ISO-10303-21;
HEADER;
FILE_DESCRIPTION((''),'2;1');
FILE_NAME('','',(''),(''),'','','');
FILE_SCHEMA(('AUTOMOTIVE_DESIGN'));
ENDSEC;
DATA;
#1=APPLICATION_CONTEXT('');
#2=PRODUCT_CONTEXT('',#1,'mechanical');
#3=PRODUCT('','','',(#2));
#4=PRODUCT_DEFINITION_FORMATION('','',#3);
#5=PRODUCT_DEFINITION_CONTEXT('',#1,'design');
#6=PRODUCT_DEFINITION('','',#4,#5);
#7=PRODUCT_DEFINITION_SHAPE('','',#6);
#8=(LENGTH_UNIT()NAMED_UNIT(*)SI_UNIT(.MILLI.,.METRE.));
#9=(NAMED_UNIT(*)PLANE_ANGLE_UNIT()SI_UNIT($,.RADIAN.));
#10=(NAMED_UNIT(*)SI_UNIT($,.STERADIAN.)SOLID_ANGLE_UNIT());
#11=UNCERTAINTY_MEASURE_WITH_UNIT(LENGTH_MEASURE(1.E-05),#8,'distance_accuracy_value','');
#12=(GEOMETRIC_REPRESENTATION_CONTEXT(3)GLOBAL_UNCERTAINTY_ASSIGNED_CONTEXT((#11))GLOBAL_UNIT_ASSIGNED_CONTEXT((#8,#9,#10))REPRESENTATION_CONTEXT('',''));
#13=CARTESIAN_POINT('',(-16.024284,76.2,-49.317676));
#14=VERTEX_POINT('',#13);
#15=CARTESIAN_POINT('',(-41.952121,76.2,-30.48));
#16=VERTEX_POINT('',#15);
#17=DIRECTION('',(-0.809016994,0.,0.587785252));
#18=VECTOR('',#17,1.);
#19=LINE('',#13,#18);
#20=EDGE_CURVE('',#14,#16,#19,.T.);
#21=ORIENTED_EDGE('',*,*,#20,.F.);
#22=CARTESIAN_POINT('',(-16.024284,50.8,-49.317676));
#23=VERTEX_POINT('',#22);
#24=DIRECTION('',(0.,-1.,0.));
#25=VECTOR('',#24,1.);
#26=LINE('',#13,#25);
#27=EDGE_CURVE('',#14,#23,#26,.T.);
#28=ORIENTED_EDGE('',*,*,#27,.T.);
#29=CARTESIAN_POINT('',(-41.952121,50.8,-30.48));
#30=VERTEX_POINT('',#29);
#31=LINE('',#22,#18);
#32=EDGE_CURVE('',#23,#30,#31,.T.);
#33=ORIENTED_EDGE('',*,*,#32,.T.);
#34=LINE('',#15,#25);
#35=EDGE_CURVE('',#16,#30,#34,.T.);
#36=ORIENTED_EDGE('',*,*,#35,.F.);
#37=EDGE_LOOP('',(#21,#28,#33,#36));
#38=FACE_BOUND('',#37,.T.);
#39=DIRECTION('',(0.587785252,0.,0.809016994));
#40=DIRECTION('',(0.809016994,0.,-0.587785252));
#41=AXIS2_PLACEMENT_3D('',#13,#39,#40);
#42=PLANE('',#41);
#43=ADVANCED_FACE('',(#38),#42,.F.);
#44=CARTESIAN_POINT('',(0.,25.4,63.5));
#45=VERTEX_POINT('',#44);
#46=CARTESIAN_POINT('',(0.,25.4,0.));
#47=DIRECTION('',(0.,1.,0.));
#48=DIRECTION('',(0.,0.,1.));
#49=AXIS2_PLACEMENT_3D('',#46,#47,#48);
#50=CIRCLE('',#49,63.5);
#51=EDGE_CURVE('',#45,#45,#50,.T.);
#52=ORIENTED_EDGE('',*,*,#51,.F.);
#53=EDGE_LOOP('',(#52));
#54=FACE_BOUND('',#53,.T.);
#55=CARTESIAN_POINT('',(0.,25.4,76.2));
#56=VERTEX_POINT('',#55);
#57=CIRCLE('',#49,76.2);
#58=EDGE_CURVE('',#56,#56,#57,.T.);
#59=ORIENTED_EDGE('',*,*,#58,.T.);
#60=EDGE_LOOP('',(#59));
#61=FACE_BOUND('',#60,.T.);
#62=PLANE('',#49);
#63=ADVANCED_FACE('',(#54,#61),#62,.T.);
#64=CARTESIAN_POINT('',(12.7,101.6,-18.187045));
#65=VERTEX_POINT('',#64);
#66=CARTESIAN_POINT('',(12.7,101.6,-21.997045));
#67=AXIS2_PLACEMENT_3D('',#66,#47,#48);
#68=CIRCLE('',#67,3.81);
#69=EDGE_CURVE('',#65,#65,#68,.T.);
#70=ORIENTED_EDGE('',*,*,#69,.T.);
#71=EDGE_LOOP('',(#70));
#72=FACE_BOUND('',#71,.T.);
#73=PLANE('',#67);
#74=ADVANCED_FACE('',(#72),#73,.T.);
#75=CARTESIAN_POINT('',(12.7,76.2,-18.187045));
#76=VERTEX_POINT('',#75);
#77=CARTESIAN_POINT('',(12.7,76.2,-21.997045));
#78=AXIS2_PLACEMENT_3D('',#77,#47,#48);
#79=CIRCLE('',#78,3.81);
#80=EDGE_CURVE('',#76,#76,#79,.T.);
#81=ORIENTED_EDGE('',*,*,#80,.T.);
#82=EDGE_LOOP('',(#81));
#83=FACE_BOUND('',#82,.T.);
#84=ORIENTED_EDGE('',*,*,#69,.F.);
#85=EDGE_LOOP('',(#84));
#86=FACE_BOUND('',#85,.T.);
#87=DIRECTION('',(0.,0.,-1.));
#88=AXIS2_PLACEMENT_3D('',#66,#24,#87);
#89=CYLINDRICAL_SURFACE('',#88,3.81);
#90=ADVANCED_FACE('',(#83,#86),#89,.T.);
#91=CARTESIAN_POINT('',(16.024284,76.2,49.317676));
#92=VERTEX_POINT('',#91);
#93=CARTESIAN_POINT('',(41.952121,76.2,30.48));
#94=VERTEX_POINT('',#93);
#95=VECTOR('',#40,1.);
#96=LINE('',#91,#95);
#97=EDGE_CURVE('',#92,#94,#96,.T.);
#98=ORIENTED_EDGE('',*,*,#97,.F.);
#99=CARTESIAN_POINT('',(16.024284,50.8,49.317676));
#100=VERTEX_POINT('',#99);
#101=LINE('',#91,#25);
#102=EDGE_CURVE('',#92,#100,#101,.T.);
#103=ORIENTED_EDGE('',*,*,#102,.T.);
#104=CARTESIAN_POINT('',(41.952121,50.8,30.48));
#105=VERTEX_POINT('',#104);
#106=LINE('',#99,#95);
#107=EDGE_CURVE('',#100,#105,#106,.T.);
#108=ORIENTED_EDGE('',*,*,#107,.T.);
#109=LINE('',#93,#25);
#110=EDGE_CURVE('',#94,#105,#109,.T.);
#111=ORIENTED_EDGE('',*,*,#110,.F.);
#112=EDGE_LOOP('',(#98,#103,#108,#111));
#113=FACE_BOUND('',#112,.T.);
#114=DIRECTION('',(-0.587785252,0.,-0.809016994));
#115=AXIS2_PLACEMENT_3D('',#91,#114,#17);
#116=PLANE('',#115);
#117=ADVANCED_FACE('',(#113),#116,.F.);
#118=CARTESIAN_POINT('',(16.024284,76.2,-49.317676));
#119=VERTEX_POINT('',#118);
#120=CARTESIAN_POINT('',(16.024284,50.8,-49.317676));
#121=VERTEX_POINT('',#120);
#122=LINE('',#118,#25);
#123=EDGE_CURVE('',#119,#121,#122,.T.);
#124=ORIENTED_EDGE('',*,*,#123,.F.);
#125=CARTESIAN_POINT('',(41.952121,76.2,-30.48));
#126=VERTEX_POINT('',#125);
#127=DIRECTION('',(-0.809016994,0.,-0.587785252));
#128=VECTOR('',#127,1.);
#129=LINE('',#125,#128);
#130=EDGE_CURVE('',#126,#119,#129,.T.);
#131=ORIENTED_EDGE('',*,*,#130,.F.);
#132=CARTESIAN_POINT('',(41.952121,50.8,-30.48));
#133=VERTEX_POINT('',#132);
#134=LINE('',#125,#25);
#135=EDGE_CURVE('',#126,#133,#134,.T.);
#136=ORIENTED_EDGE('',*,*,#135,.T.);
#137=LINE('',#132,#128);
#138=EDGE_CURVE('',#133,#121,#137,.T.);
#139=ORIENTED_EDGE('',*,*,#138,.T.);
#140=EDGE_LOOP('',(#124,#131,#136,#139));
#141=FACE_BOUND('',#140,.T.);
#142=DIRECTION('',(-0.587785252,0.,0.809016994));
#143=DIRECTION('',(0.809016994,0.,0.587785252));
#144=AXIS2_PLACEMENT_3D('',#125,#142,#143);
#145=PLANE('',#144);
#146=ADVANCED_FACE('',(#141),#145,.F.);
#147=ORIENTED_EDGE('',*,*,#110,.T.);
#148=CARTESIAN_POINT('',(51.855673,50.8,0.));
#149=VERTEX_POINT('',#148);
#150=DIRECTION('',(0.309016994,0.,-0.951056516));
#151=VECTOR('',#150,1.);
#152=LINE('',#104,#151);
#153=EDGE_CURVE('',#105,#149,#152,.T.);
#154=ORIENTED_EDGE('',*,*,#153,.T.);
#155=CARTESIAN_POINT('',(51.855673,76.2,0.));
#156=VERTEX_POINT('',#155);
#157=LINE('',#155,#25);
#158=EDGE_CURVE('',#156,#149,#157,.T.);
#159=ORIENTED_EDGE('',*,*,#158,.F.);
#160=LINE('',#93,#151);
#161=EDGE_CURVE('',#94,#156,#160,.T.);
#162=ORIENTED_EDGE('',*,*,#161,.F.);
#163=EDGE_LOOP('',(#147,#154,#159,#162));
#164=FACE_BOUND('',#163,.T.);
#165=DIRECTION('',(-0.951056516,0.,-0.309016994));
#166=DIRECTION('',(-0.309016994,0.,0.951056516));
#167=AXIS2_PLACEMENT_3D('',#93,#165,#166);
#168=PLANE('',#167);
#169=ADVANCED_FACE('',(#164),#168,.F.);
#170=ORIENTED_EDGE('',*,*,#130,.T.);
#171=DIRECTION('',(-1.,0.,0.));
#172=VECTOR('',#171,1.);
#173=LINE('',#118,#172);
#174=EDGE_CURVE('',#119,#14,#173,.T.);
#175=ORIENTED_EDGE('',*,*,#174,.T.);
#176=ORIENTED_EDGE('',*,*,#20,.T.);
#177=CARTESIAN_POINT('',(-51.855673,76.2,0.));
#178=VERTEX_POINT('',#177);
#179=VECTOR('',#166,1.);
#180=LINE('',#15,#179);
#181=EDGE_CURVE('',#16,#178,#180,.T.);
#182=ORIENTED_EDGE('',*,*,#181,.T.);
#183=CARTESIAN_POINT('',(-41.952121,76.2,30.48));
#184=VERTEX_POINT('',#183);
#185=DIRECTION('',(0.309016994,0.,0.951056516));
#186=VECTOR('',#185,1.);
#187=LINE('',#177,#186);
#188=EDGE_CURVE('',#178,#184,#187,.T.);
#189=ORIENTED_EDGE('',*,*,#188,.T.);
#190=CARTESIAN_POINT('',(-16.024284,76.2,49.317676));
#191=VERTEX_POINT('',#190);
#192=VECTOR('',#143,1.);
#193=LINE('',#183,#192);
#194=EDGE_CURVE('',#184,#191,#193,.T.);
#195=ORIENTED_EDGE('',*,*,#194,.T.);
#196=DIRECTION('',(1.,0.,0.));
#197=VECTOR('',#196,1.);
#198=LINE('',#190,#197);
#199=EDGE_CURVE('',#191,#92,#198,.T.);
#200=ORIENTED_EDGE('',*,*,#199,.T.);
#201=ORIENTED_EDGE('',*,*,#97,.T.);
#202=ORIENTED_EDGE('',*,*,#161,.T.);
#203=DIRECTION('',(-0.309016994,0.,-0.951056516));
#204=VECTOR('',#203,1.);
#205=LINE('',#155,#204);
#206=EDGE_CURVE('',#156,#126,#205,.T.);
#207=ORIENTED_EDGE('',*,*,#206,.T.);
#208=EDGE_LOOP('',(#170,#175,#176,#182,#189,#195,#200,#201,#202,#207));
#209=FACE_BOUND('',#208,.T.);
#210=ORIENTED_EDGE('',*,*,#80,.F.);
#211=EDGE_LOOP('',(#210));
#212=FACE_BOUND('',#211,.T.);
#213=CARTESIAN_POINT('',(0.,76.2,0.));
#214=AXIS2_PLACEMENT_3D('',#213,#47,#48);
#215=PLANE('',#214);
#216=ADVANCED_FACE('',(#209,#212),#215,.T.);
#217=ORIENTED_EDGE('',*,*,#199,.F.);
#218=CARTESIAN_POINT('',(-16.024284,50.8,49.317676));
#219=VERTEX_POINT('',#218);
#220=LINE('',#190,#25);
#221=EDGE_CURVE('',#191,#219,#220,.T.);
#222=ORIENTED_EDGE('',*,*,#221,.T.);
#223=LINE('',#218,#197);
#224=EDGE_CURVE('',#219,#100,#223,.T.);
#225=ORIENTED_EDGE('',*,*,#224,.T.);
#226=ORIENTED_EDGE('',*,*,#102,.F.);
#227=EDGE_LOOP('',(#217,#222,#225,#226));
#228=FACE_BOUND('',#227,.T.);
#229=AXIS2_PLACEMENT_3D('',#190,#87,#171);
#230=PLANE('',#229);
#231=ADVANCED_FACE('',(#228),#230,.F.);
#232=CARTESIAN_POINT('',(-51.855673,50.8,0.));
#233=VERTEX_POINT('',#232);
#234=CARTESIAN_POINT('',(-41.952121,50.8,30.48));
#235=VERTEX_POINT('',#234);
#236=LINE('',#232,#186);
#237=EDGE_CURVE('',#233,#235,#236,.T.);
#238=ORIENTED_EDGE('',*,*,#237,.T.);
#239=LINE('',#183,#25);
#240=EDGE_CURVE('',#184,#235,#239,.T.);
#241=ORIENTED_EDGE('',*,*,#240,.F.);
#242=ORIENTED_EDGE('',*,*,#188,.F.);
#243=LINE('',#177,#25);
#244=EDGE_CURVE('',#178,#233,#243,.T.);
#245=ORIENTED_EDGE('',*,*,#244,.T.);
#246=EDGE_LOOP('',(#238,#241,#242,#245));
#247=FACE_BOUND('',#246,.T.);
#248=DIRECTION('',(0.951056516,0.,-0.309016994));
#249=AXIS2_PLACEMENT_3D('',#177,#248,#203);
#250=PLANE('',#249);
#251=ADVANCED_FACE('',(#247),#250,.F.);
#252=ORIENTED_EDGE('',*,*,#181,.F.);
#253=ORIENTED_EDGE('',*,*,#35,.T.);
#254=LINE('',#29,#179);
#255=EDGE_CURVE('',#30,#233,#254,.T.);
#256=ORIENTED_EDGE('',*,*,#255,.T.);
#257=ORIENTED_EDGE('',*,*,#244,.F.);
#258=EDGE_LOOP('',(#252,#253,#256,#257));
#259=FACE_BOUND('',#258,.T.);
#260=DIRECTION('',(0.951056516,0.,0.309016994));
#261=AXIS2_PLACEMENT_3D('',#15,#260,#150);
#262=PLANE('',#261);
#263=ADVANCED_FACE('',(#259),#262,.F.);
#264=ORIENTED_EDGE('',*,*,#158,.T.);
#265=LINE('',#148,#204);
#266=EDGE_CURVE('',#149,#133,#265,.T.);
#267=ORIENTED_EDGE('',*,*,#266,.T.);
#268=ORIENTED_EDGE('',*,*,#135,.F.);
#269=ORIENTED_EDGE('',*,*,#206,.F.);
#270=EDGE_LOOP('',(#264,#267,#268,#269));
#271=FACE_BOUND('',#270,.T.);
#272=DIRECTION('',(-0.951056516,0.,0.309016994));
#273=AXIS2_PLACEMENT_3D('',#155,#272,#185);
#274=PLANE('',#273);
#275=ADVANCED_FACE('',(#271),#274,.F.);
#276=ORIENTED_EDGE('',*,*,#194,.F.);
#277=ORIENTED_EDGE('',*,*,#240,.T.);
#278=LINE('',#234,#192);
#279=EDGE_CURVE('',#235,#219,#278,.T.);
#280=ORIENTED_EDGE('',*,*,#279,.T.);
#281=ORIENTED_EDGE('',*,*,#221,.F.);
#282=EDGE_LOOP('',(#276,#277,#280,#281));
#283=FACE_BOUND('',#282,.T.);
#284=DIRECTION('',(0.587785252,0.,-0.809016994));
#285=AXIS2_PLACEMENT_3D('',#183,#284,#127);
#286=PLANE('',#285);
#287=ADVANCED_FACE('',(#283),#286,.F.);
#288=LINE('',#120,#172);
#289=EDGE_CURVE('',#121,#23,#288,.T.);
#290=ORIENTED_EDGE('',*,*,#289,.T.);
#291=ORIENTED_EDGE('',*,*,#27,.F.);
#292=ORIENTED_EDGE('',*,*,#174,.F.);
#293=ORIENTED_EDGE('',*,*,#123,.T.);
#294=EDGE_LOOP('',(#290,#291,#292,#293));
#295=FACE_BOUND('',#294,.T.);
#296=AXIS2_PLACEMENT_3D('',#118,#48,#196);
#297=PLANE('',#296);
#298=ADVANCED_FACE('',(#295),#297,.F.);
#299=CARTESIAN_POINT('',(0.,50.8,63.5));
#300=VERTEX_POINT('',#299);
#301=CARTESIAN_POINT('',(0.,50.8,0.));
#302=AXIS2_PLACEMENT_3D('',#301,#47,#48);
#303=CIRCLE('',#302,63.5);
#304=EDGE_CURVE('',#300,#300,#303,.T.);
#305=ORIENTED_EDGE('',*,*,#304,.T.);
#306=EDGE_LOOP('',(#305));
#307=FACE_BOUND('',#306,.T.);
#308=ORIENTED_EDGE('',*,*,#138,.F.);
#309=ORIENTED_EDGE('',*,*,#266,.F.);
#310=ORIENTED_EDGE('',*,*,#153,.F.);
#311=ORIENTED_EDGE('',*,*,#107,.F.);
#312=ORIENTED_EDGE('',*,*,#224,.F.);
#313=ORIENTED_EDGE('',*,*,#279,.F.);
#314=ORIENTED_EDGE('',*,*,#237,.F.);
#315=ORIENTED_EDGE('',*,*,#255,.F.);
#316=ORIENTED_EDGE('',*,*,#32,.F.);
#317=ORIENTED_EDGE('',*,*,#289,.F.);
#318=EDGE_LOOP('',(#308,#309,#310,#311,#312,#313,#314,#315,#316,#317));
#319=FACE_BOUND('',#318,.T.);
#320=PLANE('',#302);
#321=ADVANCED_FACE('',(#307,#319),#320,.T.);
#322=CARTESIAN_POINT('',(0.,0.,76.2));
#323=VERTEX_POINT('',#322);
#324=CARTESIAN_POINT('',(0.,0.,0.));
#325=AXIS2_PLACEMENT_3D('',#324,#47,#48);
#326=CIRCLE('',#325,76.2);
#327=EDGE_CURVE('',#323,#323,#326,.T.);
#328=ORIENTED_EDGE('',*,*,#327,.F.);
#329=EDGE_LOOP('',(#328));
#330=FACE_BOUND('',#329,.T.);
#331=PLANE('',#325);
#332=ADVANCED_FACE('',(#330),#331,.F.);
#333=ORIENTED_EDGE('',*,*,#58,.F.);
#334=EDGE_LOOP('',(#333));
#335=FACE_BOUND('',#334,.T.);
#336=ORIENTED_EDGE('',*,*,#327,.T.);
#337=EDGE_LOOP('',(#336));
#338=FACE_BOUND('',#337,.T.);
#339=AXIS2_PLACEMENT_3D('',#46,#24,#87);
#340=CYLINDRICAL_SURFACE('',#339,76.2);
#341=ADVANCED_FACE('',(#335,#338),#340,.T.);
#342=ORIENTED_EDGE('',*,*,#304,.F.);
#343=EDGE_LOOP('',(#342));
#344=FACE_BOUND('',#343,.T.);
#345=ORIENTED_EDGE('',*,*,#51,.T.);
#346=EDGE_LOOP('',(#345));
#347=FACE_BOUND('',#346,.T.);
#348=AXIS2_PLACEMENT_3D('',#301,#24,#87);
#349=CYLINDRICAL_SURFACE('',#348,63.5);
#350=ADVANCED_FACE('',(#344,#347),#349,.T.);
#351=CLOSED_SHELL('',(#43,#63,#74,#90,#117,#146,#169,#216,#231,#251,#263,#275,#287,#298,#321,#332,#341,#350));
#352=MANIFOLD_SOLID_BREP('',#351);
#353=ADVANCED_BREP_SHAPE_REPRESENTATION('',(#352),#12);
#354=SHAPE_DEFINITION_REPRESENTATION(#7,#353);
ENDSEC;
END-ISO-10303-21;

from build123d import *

# Parameters (mm, degrees)
SKETCH2_R           = 76.2
BOSS_EXTRUDE1_DEPTH = 25.4
SKETCH3_R           = 63.5
BOSS_EXTRUDE2_DEPTH = 25.4
BOSS_EXTRUDE3_DEPTH = 25.4
SKETCH5_R           = 3.81
BOSS_EXTRUDE4_DEPTH = 25.4


with BuildPart() as part:
    # Sketch2 → Boss-Extrude1 (new body)
    with BuildSketch(Plane(origin=(0, 0, 0), x_dir=(1, 0, 0), z_dir=(0, 1, 0))):
        with Locations(Location((0, 0, 0), (0, 0, 270))):
            Circle(SKETCH2_R)
    extrude(amount=BOSS_EXTRUDE1_DEPTH)

    # Sketch3 → Boss-Extrude2 (add)
    with BuildSketch(Plane(origin=(0, 25.4, 0), x_dir=(1, 0, 0), z_dir=(0, 1, 0))):
        with Locations(Location((0, 0, 0), (0, 0, 270))):
            Circle(SKETCH3_R)
    extrude(amount=BOSS_EXTRUDE2_DEPTH)

    # Sketch4 → Boss-Extrude3 (add)
    with BuildSketch(Plane(origin=(0, 50.8, 0), x_dir=(1, 0, 0), z_dir=(0, 1, 0))):
        Polygon((41.952120936, -30.48), (51.855673277, 0), (41.952120936, 30.48), (16.024284297, 49.317675977), (-16.024284297, 49.317675977), (-41.952120936, 30.48), (-51.855673277, 0), (-41.952120936, -30.48), (-16.024284297, -49.317675977), (16.024284297, -49.317675977), align=None)
    extrude(amount=BOSS_EXTRUDE3_DEPTH)

    # Sketch5 → Boss-Extrude4 (add)
    with BuildSketch(Plane(origin=(0, 76.2, 0), x_dir=(1, 0, 0), z_dir=(0, 1, 0))):
        with Locations(Location((12.7, 21.997045256, 0), (0, 0, 270))):
            Circle(SKETCH5_R)
    extrude(amount=BOSS_EXTRUDE4_DEPTH)


solid = part.part
